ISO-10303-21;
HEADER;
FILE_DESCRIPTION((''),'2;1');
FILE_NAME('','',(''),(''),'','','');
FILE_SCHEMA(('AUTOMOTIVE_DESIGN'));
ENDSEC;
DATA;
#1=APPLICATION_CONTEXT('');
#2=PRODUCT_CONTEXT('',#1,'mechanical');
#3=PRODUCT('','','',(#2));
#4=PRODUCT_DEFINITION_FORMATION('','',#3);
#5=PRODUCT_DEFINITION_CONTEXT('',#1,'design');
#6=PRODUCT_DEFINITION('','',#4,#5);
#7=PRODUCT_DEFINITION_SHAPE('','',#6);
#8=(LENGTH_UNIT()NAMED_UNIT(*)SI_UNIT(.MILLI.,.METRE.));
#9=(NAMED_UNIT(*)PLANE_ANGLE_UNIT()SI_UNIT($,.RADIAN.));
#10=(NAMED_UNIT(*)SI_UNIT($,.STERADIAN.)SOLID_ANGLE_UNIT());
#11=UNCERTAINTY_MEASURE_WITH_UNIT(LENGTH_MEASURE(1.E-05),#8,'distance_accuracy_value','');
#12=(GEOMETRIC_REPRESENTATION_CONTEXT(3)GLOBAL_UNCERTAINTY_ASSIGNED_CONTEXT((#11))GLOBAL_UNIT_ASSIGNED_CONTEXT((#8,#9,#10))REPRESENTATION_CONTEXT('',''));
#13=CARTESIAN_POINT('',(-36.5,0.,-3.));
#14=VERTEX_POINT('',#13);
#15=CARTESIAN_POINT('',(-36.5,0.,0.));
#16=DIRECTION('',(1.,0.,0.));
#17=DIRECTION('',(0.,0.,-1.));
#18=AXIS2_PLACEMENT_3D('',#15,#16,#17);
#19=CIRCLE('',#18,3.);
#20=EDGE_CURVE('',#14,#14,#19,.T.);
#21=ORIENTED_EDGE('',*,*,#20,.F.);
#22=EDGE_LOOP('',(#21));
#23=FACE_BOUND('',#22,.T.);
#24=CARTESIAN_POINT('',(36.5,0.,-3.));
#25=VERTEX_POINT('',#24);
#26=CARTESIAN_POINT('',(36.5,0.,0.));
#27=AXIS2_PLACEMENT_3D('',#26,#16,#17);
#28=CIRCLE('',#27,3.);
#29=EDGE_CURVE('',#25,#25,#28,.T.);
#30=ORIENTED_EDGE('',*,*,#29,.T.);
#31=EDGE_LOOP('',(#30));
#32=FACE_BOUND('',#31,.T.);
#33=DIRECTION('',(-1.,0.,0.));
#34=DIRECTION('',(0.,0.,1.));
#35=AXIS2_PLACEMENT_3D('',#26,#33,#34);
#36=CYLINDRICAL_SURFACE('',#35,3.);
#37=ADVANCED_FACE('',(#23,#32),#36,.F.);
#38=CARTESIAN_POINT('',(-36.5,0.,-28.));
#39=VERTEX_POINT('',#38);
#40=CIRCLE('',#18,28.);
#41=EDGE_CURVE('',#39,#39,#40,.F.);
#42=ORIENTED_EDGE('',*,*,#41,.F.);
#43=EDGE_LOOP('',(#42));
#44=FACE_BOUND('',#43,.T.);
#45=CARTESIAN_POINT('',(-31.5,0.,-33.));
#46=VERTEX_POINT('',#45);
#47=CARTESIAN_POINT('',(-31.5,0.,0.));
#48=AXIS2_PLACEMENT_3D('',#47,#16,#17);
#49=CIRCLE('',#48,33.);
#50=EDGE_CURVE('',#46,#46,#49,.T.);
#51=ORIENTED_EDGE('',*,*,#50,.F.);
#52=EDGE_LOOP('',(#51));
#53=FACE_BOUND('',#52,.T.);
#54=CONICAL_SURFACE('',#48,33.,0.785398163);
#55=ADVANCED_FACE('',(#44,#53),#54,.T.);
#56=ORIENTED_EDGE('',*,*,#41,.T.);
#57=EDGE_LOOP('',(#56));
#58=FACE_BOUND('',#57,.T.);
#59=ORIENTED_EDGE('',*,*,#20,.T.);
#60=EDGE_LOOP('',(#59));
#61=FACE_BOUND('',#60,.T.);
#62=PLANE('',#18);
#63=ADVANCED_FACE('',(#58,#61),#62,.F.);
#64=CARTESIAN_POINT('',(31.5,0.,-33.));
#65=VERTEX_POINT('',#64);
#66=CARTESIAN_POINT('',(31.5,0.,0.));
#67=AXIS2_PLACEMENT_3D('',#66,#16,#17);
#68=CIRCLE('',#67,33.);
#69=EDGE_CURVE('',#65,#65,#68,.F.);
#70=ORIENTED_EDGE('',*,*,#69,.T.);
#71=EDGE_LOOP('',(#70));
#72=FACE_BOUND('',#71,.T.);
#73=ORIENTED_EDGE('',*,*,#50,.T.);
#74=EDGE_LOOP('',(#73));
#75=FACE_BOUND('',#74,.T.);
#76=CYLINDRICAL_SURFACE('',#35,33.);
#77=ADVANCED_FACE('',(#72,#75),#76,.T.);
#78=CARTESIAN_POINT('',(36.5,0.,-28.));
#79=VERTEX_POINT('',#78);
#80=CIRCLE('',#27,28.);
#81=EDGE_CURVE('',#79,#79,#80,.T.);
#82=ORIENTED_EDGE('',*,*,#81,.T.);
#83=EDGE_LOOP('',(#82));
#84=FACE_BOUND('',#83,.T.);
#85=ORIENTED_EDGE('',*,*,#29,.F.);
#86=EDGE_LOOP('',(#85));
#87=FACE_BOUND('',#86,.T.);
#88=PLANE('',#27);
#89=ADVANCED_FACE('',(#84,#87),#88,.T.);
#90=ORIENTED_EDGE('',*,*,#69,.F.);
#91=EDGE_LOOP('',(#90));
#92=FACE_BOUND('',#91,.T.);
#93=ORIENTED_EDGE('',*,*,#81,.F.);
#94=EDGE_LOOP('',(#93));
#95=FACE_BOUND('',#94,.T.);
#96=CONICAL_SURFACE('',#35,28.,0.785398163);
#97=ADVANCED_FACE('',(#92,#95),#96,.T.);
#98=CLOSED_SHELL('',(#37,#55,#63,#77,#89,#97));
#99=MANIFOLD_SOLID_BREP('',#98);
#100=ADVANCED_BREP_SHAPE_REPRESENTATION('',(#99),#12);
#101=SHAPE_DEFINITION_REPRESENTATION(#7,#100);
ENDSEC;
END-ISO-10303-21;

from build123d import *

# Parameters (mm, degrees)
SKETCH1_R           = 33
SKETCH1_R_2         = 3
BOSS_EXTRUDE1_DEPTH = 36.5
CHAMFER1_SIZE       = 5


with BuildPart() as part:
    # Sketch1 → Boss-Extrude1 (new, symmetric)
    with BuildSketch(Plane(origin=(0, 0, 0), x_dir=(0, 0, -1), z_dir=(1, 0, 0))):
        Circle(SKETCH1_R)
        Circle(SKETCH1_R_2, mode=Mode.SUBTRACT)
    extrude(amount=BOSS_EXTRUDE1_DEPTH, both=True)

    # Chamfer1
    chamfer1_edges = [part.edges().sort_by_distance(p)[0] for p in [
        (-36.5, 0, 33),
        (36.5, 0, 33),
    ]]
    chamfer(chamfer1_edges, length=CHAMFER1_SIZE)


solid = part.part
